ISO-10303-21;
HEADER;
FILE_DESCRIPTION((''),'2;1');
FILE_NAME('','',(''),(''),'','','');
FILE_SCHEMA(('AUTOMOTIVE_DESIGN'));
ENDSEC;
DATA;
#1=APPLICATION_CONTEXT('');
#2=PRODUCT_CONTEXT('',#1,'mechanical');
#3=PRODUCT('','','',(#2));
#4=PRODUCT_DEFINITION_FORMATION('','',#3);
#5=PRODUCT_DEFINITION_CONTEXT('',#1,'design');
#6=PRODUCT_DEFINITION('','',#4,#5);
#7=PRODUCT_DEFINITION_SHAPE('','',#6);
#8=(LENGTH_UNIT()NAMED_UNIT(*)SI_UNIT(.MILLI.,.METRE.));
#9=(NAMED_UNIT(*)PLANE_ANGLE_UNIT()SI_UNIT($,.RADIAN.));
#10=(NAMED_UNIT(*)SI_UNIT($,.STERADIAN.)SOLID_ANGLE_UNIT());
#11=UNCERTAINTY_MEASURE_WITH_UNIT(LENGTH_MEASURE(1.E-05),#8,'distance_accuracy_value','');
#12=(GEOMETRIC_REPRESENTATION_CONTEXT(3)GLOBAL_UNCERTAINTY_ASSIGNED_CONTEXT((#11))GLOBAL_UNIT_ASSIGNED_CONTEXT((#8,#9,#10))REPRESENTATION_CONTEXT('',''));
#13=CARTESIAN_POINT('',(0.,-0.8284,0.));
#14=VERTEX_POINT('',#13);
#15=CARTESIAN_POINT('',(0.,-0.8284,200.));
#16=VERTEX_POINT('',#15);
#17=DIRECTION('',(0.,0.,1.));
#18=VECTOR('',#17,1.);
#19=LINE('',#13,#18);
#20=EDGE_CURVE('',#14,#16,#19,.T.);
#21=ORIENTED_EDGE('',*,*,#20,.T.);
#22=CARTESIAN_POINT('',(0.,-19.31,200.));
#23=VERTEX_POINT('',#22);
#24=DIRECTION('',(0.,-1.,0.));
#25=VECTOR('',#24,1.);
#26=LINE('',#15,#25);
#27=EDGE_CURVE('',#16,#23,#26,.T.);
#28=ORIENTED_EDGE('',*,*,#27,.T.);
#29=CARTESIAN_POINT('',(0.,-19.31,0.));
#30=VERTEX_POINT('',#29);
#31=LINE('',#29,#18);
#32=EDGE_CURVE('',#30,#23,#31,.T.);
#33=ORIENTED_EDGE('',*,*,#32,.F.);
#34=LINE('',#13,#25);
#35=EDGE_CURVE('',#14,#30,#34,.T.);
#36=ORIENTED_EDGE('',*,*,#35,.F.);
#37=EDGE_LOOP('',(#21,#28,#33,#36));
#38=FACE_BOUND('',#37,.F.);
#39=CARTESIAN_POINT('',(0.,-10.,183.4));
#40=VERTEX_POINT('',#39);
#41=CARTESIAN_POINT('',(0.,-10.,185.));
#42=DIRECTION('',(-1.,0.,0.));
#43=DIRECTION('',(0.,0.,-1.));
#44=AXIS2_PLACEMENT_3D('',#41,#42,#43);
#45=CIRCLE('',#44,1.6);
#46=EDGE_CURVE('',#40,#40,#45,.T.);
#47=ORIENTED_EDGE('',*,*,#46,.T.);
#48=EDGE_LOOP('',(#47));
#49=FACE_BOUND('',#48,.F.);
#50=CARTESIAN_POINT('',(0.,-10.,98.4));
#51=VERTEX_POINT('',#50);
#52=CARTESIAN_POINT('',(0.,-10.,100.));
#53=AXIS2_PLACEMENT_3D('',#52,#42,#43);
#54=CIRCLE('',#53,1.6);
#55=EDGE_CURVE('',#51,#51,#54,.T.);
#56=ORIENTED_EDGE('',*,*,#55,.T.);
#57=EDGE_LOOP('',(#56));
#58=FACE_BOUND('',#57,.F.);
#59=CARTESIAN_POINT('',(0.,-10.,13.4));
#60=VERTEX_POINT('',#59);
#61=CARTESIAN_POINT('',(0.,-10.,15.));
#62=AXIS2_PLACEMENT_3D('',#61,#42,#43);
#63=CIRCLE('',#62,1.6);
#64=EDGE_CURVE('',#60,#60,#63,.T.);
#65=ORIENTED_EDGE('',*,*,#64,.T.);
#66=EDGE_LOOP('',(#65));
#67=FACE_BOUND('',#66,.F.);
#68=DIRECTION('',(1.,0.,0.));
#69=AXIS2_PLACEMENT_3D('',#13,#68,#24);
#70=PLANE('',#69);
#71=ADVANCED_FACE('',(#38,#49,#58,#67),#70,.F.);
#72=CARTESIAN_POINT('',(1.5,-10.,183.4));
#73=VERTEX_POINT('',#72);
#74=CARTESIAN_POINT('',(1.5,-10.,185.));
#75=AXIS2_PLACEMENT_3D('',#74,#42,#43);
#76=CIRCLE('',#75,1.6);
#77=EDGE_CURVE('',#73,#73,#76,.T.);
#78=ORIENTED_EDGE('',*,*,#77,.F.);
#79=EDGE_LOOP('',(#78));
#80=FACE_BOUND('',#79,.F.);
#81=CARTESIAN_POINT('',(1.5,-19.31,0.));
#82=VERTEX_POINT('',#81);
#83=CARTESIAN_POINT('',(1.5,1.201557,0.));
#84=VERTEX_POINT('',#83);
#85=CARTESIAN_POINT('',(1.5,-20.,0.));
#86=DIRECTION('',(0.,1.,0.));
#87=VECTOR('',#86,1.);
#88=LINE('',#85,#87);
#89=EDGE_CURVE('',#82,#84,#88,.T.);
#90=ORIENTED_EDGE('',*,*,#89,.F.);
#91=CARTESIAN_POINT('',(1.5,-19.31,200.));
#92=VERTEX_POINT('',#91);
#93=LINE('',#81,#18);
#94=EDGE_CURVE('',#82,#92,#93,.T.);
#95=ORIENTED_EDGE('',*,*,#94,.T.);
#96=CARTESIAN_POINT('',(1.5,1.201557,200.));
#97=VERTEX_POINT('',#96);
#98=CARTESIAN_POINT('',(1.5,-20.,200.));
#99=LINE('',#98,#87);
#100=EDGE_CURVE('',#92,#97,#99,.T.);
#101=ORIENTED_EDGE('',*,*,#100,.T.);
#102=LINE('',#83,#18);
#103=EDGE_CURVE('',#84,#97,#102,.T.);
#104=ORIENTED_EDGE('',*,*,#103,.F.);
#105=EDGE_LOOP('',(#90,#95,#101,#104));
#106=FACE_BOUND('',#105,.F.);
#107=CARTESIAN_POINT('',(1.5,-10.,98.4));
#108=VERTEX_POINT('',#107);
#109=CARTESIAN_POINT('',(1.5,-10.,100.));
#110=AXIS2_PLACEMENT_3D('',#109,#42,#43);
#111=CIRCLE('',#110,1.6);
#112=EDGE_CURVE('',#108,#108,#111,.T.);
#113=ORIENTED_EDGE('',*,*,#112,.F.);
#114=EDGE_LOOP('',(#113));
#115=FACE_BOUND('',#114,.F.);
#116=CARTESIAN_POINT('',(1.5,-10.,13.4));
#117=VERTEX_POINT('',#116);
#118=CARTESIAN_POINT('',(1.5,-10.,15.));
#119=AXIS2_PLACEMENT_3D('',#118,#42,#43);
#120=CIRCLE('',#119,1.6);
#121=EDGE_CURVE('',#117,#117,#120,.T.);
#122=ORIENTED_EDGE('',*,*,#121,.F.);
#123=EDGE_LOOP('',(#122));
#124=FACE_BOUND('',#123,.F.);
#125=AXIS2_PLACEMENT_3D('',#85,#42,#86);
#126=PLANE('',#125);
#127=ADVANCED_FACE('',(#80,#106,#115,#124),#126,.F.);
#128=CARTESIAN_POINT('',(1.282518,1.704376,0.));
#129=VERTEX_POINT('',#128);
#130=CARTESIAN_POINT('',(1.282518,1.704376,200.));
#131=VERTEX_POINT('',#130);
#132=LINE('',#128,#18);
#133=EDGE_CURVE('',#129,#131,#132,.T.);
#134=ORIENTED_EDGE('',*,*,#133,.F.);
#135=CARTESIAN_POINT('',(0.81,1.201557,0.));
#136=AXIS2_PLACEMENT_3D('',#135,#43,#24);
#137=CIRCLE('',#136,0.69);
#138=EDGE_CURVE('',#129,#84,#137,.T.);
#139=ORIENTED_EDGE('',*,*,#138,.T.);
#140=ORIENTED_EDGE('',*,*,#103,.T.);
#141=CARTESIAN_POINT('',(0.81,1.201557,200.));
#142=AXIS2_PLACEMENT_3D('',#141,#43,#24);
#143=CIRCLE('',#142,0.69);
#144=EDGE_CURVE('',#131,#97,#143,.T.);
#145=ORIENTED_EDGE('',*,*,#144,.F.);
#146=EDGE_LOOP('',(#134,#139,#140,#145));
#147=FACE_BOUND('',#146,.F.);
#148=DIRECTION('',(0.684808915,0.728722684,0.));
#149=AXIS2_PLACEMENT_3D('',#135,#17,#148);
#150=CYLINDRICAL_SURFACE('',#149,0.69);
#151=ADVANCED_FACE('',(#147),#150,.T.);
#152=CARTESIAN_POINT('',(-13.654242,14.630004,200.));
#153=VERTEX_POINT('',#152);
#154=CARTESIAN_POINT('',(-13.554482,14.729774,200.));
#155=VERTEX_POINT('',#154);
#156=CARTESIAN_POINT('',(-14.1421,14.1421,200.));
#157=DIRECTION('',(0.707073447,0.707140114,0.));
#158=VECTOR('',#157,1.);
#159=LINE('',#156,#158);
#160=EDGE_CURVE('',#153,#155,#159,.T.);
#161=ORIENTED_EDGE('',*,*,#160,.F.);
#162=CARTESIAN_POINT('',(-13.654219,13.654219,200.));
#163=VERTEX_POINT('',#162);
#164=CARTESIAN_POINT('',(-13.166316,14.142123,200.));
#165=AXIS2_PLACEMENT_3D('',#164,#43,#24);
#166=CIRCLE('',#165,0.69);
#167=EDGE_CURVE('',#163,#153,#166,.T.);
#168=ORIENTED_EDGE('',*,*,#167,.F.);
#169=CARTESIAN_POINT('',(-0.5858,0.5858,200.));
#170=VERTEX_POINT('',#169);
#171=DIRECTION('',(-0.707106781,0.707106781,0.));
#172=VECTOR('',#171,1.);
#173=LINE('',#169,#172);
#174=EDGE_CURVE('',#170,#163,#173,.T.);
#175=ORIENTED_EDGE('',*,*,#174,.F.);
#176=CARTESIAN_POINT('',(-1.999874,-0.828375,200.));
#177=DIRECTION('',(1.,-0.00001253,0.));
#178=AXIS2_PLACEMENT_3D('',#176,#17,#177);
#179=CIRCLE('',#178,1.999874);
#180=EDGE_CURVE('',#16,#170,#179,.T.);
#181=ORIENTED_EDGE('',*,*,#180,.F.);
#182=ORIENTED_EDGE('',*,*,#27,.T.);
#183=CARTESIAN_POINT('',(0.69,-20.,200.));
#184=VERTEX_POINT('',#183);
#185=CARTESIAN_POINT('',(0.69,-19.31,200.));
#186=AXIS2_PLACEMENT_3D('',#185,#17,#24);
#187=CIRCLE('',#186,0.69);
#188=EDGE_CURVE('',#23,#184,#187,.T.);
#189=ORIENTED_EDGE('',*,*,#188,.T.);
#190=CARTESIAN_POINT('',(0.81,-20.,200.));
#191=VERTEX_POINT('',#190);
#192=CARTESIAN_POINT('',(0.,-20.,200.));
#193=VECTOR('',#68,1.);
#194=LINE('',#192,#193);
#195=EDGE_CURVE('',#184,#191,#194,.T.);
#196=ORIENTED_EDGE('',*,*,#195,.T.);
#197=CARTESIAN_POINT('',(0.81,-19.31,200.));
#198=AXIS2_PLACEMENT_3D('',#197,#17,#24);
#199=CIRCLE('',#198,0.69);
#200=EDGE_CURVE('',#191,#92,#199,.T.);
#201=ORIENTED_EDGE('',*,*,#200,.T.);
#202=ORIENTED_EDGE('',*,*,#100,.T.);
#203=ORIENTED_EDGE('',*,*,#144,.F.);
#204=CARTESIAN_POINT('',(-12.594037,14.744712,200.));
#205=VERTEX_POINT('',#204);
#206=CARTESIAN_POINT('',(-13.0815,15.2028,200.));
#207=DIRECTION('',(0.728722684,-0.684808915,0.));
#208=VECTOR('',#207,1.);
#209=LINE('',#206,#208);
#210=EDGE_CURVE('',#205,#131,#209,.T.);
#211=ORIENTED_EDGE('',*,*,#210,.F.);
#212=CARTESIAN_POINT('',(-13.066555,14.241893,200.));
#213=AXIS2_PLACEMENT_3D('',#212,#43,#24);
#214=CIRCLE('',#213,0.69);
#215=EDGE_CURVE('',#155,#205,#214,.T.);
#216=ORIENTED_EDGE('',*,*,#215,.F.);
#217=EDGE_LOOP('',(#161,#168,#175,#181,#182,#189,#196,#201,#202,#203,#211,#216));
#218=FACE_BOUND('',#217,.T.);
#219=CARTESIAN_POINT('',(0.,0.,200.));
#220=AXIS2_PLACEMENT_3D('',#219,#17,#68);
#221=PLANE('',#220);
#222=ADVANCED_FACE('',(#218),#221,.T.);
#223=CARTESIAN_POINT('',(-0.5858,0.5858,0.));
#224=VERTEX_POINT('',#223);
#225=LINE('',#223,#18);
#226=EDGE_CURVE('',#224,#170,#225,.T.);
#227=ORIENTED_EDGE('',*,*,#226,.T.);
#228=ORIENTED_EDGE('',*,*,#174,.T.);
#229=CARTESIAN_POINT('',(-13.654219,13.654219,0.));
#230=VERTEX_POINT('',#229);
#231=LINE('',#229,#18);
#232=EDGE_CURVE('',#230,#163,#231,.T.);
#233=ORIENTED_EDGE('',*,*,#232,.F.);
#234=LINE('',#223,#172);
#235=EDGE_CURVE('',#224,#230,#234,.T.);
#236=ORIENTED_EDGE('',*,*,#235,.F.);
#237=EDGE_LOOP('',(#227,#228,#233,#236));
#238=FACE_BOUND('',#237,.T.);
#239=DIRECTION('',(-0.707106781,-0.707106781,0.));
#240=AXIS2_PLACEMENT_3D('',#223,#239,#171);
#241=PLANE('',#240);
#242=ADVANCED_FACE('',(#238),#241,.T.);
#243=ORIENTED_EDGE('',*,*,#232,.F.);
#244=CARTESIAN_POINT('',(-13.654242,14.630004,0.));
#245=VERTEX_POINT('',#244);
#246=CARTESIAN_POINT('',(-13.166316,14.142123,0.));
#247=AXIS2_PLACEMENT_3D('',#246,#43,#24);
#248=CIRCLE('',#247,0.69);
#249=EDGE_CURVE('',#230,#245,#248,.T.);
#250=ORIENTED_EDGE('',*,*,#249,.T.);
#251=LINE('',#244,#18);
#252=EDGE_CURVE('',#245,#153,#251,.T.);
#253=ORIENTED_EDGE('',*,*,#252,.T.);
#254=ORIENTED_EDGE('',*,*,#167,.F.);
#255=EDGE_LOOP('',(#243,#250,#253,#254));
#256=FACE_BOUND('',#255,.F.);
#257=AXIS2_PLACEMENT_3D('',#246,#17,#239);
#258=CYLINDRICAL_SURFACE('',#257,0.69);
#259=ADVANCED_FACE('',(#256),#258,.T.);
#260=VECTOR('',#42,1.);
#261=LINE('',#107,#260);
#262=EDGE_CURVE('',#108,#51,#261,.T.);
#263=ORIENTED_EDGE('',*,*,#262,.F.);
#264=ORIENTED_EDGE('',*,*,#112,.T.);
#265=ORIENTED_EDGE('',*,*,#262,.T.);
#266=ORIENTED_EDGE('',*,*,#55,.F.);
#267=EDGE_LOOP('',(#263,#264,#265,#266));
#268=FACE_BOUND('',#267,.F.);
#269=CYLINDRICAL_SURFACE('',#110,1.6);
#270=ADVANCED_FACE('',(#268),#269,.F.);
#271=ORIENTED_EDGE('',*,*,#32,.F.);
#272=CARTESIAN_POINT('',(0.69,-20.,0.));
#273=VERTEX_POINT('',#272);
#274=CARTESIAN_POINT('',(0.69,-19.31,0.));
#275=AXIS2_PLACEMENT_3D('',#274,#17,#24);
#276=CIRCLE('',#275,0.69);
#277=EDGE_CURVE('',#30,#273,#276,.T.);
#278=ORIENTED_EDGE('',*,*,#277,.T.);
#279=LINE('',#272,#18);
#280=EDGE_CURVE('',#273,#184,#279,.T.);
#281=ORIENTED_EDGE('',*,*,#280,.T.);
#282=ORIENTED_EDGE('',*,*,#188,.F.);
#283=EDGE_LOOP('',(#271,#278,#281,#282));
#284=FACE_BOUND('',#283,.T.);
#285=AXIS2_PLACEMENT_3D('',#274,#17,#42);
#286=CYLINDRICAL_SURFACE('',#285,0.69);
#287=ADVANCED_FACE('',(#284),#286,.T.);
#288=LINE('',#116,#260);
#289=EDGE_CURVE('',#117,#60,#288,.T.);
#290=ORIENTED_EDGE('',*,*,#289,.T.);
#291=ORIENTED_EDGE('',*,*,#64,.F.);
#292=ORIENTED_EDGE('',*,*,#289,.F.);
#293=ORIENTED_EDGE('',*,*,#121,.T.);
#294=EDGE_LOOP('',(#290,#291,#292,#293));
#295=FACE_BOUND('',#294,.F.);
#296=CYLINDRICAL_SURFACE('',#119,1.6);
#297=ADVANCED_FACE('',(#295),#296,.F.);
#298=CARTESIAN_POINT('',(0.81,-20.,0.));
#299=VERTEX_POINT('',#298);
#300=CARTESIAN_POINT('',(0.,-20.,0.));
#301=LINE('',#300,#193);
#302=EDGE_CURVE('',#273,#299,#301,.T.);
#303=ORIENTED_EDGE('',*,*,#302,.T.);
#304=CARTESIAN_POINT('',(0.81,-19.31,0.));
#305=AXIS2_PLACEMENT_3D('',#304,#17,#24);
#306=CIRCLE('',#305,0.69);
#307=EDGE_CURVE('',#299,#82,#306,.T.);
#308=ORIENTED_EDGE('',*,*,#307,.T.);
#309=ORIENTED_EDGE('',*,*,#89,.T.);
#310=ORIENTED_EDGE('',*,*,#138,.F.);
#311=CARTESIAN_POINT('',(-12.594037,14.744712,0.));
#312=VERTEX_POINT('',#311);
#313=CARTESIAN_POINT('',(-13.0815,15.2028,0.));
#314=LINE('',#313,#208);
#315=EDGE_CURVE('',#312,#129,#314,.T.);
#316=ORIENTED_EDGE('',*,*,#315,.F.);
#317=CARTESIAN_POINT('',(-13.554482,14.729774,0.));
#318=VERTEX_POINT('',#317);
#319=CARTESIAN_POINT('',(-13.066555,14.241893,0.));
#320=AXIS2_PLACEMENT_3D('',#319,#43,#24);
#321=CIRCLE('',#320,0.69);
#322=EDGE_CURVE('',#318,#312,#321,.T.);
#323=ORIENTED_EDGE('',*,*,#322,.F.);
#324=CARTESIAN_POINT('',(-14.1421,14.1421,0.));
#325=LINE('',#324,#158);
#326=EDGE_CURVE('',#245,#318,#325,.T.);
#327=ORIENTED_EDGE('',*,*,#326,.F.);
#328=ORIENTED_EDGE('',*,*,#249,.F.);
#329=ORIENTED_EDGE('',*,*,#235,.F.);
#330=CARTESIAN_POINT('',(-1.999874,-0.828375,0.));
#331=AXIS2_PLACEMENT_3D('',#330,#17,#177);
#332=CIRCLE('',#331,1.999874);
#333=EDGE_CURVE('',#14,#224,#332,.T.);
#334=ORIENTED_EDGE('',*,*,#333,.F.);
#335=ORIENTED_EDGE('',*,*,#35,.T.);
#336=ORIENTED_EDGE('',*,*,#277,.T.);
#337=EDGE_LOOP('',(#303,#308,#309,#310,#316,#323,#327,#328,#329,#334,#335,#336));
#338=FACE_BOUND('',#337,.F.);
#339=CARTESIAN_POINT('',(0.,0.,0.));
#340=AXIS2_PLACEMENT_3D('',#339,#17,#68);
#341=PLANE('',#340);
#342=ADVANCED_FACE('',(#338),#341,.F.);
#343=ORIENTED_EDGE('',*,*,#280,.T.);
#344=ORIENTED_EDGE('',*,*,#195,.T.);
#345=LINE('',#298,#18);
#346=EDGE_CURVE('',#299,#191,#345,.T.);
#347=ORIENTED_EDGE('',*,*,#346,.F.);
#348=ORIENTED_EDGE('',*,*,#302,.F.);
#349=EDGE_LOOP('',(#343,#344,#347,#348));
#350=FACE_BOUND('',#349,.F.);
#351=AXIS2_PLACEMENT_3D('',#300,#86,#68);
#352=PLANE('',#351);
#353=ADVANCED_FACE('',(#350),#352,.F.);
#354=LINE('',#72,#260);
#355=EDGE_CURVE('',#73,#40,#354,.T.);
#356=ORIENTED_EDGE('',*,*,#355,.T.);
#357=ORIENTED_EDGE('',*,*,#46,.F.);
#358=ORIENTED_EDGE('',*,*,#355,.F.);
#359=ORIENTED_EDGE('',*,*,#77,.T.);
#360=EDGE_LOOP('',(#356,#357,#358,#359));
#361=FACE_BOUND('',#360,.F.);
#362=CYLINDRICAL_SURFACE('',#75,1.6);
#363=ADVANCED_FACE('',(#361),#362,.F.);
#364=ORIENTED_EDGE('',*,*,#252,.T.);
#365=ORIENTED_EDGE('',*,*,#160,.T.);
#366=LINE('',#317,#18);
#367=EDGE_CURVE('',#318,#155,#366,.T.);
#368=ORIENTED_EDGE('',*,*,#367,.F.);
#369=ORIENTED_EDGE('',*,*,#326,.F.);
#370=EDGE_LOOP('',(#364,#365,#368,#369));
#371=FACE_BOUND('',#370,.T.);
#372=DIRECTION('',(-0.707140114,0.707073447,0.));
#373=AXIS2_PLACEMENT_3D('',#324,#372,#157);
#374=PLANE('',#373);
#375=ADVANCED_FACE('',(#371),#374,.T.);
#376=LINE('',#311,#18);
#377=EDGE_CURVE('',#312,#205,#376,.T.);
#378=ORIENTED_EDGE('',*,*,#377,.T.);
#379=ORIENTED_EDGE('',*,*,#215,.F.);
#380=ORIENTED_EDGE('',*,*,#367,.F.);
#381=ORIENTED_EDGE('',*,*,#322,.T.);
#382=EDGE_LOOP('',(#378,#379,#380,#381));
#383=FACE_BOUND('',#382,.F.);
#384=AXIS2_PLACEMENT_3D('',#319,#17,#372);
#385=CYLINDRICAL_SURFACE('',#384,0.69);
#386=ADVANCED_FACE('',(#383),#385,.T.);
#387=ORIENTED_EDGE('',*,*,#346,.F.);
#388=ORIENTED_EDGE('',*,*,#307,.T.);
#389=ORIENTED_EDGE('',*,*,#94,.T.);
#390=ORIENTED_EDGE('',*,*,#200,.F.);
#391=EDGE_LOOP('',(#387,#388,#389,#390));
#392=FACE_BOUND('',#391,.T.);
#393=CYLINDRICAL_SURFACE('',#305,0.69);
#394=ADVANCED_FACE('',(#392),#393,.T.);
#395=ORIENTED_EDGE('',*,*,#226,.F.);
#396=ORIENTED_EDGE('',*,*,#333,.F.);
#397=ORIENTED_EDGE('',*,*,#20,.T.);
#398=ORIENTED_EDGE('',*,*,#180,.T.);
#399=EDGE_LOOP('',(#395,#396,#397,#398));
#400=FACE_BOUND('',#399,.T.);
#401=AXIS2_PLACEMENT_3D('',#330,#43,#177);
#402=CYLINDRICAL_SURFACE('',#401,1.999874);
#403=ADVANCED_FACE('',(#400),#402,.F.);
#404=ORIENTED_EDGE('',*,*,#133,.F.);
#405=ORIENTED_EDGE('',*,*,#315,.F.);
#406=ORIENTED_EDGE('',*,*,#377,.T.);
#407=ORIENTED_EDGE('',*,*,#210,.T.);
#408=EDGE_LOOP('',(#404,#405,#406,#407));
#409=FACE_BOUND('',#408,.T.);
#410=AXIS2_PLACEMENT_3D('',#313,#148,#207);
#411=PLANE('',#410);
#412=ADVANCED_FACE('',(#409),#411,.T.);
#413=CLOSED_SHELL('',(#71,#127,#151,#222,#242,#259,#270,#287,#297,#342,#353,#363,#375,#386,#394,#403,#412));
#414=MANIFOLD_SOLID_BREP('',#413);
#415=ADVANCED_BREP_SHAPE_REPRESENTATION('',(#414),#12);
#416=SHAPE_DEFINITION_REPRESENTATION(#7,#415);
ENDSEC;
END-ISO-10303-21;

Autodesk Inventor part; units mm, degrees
ref_plane "YZ Plane" through (0, 0, 0) normal (1, 0, 0) x (0, 1, 0)
ref_plane "XZ Plane" through (0, 0, 0) normal (0, 1, 0) x (-1, 0, 0)
ref_plane "XY Plane" through (0, 0, 0) normal (0, 0, 1) x (1, 0, 0)
sketch "Skizze1" plane through (0, 0, 0) normal (0, 0, 1) x (1, 0, 0)
  line L0 (0, -0.8284) -> (0, -20)
  line L1 (0, 0) -> (19.1716, 0) construction
  line L2 (0, -20) -> (1.5, -20)
  line L3 (1.5, -20) -> (1.5, 1.5)
  line L4 (-0.5858, 0.5858) -> (-14.1421, 14.1421)
  line L5 (-14.1421, 14.1421) -> (-13.0815, 15.2028)
  line L6 (-13.0815, 15.2028) -> (1.5, 1.5)
  arc A0 (0, -0.8284) -> (-0.5858, 0.5858) centre (-2, -0.8284) ccw
  dimension "d0" = 20
  dimension "d1" = 90
  dimension "d2" = 1.5
  dimension "d3" = 90
  dimension "d4" = 21.5
  dimension "d5" = 20
  dimension "d6" = 135
  dimension "d7" = 2
extrude "Extrusion1" add sketch "Skizze1" along normal blind 200
hole "Bohrung1" at (1.5, -10, 185) direction (-1, 0, 0) diameter 3.2 end through all
pattern_linear "Rechteckige Anordnung1" count 3 spacing 85 along (0, 0, -1) of "Bohrung1"
fillet "Rundung1" radius 0.69 5 edges at (1.5, -20, 100) (0, -20, 100) (-14.1421, 14.1421, 100) (1.5, 1.5, 100) (-13.0815, 15.2028, 100)
properties part number "LED strip mount" material "ABS-Kunststoff"
